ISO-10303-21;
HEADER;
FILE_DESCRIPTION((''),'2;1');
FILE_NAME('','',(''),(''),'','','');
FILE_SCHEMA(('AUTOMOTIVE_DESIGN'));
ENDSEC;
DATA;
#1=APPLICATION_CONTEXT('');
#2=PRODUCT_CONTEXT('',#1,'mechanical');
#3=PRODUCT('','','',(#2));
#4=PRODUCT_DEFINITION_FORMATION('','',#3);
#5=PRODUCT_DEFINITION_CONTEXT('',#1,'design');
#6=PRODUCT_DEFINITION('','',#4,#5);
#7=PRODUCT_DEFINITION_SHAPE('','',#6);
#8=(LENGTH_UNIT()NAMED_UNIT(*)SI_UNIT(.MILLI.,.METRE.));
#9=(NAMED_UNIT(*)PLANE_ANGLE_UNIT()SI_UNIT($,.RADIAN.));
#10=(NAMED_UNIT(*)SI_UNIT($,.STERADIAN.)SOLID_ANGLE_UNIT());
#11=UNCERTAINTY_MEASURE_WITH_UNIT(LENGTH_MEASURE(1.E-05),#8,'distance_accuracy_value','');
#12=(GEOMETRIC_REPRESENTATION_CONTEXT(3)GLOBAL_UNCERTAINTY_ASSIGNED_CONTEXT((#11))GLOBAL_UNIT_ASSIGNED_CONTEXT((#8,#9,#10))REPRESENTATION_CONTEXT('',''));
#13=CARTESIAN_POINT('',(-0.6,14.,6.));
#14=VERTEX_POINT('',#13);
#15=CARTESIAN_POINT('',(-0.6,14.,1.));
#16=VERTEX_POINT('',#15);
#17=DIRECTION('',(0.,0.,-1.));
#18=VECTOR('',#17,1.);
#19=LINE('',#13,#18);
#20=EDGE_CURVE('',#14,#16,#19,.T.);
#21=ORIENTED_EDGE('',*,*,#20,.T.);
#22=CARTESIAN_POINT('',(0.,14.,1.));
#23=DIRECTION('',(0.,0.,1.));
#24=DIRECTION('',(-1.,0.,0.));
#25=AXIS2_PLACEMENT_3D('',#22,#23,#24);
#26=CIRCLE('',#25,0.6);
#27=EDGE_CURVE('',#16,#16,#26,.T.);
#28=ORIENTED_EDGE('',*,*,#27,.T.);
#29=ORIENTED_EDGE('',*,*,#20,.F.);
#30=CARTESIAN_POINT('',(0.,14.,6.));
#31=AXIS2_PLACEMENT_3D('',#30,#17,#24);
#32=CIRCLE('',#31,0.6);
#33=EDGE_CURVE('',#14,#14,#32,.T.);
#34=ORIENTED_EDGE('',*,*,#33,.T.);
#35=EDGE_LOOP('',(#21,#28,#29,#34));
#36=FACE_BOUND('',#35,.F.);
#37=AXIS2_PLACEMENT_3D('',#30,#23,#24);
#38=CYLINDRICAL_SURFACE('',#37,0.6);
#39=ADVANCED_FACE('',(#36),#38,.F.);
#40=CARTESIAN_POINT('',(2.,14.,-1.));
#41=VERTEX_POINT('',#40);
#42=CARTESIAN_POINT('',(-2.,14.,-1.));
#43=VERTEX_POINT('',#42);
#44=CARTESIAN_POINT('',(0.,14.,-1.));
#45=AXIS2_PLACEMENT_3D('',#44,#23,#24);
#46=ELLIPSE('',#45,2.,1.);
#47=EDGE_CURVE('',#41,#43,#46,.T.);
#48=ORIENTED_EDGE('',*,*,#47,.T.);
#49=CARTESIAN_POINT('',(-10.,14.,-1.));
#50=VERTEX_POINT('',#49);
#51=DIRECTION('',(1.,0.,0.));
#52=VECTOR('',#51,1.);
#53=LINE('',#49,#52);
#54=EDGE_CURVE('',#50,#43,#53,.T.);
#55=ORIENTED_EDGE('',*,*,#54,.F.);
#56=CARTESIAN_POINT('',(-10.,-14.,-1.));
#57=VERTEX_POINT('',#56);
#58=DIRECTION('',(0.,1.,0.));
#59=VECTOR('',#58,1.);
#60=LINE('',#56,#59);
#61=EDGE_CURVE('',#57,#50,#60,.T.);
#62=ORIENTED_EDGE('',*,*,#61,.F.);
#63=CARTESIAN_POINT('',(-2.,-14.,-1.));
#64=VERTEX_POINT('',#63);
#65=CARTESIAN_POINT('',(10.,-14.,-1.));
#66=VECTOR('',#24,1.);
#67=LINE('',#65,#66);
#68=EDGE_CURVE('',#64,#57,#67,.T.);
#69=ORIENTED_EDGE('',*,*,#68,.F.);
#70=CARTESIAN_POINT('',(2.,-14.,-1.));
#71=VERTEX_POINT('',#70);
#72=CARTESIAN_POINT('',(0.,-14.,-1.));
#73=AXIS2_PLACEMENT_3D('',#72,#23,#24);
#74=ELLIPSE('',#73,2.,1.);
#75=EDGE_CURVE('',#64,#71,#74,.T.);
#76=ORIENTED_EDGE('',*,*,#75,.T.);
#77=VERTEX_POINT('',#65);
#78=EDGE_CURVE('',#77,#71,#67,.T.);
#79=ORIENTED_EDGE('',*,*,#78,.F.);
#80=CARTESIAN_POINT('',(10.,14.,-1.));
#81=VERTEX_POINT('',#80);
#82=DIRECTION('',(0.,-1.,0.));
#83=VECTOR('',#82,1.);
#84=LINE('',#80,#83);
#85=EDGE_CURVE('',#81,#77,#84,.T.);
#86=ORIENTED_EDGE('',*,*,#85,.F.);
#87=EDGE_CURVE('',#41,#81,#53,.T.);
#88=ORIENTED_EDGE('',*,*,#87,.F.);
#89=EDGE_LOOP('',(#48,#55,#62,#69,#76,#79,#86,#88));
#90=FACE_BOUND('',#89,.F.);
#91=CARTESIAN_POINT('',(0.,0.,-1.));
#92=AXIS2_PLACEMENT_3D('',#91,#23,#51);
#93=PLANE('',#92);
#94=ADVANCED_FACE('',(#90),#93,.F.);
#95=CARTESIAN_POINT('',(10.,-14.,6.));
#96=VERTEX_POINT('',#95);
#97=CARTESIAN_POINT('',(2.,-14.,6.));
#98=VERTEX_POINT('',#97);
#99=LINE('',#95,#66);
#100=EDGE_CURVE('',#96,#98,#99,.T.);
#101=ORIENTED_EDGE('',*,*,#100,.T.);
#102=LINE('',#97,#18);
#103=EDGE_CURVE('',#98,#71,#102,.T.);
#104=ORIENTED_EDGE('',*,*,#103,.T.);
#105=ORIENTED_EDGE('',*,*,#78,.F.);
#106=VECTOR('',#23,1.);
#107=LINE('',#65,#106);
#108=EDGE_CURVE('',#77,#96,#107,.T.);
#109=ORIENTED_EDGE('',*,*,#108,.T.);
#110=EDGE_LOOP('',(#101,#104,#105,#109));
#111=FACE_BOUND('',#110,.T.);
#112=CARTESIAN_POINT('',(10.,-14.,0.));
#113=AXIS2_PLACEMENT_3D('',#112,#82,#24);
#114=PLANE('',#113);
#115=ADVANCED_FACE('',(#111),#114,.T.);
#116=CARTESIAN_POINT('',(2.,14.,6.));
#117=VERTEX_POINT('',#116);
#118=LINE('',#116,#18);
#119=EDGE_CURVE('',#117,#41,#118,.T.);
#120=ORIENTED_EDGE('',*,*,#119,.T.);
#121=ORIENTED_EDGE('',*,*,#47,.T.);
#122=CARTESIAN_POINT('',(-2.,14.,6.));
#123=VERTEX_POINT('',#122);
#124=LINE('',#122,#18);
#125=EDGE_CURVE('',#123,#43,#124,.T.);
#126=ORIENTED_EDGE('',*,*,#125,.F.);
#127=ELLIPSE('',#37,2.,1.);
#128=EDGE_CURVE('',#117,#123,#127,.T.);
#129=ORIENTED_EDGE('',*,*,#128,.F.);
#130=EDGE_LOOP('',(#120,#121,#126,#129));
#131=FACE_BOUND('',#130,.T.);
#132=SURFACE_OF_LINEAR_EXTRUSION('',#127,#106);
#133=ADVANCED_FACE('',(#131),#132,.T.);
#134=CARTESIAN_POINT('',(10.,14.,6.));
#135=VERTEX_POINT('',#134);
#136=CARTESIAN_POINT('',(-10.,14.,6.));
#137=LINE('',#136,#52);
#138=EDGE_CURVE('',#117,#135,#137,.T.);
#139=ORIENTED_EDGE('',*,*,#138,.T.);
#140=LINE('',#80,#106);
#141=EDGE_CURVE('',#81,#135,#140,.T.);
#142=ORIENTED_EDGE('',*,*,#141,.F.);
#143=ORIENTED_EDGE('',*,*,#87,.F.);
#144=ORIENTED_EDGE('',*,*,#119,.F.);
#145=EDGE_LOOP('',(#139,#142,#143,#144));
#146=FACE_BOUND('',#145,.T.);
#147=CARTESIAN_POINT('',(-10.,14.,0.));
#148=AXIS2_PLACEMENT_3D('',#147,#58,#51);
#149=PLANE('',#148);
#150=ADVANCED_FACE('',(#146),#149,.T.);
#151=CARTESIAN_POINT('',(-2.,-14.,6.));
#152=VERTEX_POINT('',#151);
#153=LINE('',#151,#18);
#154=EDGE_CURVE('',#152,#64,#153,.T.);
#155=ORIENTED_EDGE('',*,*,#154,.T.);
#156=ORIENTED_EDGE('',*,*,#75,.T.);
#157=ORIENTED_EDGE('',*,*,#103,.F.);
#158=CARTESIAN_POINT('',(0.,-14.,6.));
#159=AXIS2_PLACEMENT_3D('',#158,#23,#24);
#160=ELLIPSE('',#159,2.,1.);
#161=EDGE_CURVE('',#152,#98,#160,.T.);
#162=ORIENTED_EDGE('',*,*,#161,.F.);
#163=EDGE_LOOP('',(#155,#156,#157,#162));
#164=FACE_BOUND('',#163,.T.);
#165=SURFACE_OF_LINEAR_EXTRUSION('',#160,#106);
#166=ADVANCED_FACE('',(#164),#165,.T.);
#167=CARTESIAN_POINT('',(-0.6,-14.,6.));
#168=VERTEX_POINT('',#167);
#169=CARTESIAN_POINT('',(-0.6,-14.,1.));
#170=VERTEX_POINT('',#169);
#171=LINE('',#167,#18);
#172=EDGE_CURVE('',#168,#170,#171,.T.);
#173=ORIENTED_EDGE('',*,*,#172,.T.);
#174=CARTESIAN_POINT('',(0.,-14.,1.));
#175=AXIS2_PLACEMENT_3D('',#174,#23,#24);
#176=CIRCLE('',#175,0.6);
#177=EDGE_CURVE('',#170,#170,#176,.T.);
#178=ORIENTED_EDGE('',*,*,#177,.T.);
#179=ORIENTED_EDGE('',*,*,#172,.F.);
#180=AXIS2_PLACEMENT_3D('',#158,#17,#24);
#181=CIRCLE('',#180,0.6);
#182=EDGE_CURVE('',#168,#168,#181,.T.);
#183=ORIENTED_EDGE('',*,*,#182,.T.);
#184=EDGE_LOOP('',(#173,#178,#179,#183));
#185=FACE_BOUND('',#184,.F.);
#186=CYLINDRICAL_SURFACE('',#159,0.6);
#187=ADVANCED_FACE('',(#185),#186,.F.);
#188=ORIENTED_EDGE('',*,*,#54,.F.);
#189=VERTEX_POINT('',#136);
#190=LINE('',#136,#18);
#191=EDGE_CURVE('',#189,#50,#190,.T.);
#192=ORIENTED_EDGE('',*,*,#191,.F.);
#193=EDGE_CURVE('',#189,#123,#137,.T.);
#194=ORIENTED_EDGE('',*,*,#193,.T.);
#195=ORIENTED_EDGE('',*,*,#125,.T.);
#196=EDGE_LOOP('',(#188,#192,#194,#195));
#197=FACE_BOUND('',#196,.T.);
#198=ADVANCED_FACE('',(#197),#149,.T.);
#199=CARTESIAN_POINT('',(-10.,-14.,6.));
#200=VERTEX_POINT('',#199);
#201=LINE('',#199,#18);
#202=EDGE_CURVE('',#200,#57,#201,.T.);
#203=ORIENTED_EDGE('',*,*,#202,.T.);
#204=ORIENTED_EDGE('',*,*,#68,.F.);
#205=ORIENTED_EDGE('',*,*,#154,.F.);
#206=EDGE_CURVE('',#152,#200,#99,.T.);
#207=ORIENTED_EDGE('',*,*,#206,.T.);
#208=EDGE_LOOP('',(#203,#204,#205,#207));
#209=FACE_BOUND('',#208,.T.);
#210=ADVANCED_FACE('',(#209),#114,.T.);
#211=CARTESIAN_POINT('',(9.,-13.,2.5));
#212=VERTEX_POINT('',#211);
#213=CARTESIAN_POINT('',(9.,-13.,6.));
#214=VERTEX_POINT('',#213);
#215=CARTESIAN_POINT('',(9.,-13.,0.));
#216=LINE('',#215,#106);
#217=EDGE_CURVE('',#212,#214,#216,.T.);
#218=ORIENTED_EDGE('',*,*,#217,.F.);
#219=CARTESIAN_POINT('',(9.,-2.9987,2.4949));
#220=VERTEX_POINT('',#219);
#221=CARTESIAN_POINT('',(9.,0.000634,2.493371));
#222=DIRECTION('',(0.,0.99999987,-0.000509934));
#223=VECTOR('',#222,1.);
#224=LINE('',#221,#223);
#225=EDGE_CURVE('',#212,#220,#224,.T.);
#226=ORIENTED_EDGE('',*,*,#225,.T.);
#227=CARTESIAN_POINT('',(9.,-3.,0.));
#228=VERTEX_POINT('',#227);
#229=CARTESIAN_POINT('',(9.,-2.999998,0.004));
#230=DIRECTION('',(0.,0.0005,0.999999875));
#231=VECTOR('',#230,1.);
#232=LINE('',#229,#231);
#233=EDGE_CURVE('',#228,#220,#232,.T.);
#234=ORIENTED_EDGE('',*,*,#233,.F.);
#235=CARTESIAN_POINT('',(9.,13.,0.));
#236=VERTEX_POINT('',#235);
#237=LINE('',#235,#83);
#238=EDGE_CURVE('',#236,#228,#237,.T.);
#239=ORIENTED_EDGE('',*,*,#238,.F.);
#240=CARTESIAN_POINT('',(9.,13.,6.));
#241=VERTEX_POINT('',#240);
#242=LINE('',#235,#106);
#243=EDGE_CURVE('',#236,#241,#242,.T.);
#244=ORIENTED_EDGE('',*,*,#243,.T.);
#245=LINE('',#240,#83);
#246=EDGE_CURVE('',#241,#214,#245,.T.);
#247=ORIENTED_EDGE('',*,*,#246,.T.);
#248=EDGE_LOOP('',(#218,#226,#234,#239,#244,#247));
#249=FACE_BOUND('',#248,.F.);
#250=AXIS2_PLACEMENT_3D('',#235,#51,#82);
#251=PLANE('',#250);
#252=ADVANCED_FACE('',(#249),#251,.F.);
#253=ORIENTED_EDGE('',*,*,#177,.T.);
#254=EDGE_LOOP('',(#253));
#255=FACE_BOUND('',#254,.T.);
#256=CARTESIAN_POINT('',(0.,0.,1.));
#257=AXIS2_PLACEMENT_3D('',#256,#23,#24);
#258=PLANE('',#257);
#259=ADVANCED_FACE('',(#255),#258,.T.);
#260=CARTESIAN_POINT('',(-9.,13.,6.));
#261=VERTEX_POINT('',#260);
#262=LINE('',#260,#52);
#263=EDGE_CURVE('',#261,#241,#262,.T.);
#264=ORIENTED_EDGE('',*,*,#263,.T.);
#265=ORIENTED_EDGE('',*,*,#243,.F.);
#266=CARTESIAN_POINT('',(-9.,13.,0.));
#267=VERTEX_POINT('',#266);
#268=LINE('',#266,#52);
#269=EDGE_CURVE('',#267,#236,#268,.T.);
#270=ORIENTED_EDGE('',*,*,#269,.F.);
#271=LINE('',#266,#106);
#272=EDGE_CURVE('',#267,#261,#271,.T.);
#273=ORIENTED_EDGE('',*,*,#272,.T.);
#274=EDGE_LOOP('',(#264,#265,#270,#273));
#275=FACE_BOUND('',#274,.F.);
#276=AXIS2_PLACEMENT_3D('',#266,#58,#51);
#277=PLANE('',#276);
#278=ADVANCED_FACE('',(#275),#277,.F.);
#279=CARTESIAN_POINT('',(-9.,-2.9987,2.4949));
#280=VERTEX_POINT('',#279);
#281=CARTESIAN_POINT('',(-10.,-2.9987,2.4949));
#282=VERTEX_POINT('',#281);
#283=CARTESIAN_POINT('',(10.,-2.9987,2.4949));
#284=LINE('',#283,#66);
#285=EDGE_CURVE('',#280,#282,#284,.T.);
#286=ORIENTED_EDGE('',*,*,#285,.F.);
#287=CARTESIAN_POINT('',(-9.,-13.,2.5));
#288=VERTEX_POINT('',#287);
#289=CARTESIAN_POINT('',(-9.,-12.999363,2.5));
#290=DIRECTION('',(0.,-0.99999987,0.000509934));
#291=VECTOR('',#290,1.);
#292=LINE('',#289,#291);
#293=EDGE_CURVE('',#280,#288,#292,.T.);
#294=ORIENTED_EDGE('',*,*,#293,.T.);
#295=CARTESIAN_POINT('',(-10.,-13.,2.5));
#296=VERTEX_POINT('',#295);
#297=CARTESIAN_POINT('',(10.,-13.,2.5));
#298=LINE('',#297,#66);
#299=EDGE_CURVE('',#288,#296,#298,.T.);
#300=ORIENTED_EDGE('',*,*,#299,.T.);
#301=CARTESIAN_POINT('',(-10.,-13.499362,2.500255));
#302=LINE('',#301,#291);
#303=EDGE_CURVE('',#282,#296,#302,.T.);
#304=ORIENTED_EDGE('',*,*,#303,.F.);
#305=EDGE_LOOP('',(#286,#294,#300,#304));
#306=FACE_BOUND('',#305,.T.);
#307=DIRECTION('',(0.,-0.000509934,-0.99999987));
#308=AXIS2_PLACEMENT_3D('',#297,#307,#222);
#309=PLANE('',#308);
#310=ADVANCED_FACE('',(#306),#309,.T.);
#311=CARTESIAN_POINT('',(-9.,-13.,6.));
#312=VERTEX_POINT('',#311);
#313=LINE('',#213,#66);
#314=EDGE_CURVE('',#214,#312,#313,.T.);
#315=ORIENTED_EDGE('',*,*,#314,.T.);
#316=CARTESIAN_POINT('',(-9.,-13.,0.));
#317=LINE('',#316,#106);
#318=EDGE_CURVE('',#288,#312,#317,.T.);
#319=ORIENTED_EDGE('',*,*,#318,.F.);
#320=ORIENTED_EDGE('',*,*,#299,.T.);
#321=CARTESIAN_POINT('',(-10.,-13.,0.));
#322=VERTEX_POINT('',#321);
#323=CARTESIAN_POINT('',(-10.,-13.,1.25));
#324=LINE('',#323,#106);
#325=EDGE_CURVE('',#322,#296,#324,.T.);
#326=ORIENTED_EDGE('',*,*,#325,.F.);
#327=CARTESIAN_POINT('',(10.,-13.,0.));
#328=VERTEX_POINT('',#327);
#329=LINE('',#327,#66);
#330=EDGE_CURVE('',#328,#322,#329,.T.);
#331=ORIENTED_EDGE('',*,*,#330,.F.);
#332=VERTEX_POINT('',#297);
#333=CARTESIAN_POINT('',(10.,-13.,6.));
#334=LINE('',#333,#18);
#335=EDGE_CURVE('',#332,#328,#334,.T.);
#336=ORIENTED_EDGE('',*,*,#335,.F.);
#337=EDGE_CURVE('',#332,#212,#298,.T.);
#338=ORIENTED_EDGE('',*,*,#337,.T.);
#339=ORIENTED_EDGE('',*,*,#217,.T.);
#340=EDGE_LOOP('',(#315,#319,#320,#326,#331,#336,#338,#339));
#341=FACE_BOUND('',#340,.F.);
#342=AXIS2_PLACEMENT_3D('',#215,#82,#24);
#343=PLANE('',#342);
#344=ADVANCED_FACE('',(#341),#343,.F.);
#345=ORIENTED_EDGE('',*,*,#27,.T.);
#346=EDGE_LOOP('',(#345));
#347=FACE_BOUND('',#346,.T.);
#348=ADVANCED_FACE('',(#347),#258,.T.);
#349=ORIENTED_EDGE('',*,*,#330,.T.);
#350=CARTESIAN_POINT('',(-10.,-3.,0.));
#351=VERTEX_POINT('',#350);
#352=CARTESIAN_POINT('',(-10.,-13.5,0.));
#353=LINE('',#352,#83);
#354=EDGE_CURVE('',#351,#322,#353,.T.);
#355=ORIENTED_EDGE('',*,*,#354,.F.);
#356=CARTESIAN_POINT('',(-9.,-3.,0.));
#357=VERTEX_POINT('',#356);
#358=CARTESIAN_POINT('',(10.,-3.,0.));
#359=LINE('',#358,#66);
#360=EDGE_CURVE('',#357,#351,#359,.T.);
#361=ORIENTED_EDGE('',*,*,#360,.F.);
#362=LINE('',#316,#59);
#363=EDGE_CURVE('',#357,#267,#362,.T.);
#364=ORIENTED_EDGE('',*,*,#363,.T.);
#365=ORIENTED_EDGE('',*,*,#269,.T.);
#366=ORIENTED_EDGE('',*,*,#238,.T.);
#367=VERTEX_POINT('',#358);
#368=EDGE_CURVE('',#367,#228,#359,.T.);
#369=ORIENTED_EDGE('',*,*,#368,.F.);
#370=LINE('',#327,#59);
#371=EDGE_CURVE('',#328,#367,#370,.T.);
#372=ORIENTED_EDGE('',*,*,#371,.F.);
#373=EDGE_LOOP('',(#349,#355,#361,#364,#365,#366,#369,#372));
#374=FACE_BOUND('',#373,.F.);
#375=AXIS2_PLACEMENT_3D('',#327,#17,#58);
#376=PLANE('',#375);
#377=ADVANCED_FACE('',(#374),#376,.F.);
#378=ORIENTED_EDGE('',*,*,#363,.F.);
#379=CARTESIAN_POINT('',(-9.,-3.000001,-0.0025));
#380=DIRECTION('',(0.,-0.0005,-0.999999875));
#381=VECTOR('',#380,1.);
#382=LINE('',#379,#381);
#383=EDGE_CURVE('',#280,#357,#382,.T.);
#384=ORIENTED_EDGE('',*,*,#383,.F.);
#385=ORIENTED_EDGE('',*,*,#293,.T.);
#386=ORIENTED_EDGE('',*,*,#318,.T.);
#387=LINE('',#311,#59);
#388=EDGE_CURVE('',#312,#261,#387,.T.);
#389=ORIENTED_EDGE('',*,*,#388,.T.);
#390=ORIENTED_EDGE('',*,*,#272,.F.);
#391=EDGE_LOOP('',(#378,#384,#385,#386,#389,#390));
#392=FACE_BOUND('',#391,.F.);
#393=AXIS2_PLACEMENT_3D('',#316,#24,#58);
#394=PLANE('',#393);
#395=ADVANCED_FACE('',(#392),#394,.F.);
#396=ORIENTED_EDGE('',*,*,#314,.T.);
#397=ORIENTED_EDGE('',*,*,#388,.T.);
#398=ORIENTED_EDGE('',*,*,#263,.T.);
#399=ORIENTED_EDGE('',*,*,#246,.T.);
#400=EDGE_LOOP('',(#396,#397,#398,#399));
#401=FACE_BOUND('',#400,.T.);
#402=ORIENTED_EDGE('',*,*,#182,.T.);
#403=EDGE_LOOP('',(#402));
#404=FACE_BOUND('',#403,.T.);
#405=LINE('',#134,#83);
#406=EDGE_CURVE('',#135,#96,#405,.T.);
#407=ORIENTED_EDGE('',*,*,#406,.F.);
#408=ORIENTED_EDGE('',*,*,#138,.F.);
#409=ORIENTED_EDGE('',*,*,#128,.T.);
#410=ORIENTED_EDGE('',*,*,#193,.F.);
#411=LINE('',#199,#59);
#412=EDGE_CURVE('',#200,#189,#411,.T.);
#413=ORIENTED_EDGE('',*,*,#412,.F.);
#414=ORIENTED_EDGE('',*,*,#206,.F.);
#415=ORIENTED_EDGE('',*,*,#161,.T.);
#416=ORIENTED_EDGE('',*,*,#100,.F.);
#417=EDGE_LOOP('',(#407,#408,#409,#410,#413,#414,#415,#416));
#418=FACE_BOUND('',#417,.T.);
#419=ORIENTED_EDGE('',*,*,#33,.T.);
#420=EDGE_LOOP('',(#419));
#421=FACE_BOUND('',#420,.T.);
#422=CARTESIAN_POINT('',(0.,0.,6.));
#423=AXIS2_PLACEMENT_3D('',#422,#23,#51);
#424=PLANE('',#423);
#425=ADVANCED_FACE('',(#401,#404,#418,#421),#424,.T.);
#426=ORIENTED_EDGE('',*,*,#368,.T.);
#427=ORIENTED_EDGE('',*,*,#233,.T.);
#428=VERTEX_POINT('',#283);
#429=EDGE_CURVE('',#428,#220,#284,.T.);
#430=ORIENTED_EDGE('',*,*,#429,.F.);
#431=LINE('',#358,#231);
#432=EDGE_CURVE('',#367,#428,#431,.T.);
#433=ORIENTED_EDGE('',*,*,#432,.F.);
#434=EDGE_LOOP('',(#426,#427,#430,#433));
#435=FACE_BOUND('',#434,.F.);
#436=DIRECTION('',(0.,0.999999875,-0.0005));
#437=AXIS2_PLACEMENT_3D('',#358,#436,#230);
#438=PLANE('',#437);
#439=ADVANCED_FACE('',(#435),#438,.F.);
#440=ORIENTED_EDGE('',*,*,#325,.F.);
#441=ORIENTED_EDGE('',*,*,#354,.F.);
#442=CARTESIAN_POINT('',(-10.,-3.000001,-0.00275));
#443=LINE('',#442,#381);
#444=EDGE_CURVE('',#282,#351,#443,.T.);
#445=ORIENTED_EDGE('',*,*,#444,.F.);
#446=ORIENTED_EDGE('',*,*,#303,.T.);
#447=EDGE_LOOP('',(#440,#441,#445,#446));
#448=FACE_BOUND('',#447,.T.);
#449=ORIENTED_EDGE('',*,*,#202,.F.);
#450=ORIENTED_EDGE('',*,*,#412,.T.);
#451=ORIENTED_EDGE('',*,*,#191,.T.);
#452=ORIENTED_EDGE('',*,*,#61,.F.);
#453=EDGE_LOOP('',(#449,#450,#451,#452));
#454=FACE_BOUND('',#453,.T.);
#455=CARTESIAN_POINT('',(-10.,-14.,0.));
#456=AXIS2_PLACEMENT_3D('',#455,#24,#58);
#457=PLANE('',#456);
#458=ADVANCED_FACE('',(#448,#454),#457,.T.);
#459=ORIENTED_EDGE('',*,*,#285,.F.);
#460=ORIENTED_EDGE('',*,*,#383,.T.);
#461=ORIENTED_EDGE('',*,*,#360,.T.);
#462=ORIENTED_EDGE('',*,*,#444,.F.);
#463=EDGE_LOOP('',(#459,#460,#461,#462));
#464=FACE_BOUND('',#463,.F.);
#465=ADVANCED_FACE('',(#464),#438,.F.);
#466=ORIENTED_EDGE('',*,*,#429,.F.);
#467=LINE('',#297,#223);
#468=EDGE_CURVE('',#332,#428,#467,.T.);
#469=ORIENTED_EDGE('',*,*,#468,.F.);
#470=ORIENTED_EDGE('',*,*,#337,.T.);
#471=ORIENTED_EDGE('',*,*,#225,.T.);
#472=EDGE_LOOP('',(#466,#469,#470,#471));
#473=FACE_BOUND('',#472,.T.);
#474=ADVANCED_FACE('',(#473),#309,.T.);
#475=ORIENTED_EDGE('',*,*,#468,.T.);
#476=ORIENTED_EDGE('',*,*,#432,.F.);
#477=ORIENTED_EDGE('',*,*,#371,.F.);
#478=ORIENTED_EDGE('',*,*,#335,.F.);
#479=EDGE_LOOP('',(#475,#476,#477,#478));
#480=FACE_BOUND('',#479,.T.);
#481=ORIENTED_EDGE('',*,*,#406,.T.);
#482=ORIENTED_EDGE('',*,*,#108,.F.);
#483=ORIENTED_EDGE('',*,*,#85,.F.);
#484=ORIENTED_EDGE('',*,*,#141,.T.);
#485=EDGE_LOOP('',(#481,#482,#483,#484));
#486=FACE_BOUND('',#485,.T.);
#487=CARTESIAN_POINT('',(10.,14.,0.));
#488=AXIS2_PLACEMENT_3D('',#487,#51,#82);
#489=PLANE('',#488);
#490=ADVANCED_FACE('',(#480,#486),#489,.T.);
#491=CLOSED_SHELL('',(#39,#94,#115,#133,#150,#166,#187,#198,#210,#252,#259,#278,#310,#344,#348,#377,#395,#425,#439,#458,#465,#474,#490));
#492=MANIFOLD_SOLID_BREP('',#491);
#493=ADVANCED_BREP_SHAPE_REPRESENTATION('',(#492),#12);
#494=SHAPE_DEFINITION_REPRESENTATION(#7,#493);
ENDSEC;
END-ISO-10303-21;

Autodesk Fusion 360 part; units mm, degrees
sketch "Boceto1" plane through (0, 0, 0) normal (0, 0, 1) x (1, 0, 0)
  line L0 (10, -14) -> (-10, -14)
  line L1 (-10, -14) -> (-10, 14)
  line L2 (-10, 14) -> (10, 14)
  line L3 (10, 14) -> (10, -14)
  line L4 (10, -14) -> (-10, 14) construction
  line L5 (-10, -14) -> (10, 14) construction
  line L6 (9, -13) -> (-9, -13)
  line L7 (-9, -13) -> (-9, 13)
  line L8 (-9, 13) -> (9, 13)
  line L9 (9, 13) -> (9, -13)
  line L10 (9, -13) -> (-9, 13) construction
  line L11 (-9, -13) -> (9, 13) construction
  dimension "d1" = 20
  dimension "d2" = 28
  dimension "d3" = 18
  dimension "d4" = 26
extrude "Extruir1" add sketch "Boceto1" against normal blind 1 contours L0 L1 L2 L3 | L6 L7 L8 L9
extrude "Extruir2" add sketch "Boceto1" along normal blind 6
sketch "Boceto2" plane through (10, 0, 0) normal (1, 0, 0) x (0, 1, 0)
  line L0 (-14, 6) -> (-14, -1)
  line L1 (-14, -1) -> (14, -1)
  line L2 (14, -1) -> (14, 6)
  line L3 (14, 6) -> (-14, 6)
  line L4 (13, 6) -> (-13, 6)
  line L5 (-13, 6) -> (13, 6)
  line L6 (14, 6) -> (-14, 6)
  line L7 (-14, 6) -> (14, 6)
  line L8 (-13, 0) -> (13, 0)
  line L9 (13, 0) -> (13, 6)
  line L10 (13, 6) -> (-13, 6)
  line L11 (-13, 6) -> (-13, 0)
  line L12 (-13, 0) -> (-3, 0)
  line L13 (-3, 0) -> (-2.997, 6)
  line L14 (-13, 6) -> (-2.997, 6)
  line L15 (-13, 0) -> (-13, 2.5)
  line L16 (-13, 2.5) -> (-2.9987, 2.4949)
  line L17 (-2.9987, 2.4949) -> (-3, 0)
  dimension "d9" = 10
  dimension "d12" = 2.5
extrude "Extruir3" cut sketch "Boceto2" against normal blind 28 contours L8 L11 L12 L13 L15 L16 L17
sketch "Boceto3" plane through (0, 0, 6) normal (0, 0, 1) x (-1, 0, 0)
  line L0 (9, -13) -> (-9, -13)
  line L1 (-9, -13) -> (-9, 13)
  line L2 (-9, 13) -> (9, 13)
  line L3 (9, 13) -> (9, -13)
  line L4 (-10, -14) -> (10, -14)
  line L5 (10, -14) -> (10, 14)
  line L6 (10, 14) -> (-10, 14)
  line L7 (-10, 14) -> (-10, -14)
  line L8 (0, -14) -> (2, -14) construction
  ellipse E0 centre (0, -14) end of major axis (2, -14) minor radius 1
  line L9 (0, -15) -> (0, -13) construction
  line L10 (0, 14) -> (2, 14) construction
  ellipse E1 centre (0, 14) end of major axis (2, 14) minor radius 1
  line L11 (-2, 14) -> (2, 14) construction
  line L12 (0, 13) -> (0, 15) construction
  circle A0 centre (0, 14) radius 0.6
  circle A1 centre (0, -14) radius 0.6
  dimension "d15" = 2
  dimension "d17" = 2
  dimension "d18" = 2
  dimension "d19" = 2
  dimension "d20" = 1.2
  dimension "d21" = 1.2
extrude "Extruir4" add sketch "Boceto3" against normal blind 7 contours L4 E0 A1 | L4 A1 | L6 E1 A0 | L6 A0 picked at (-1.4687, -14.1432) picked at (-0.0731, -14.1862) picked at (1.4687, 14.1432) picked at (0.1247, 14.1564)
extrude "Extruir5" cut sketch "Boceto3" against normal blind 5 contours L4 A1 | L4 A1 | L6 A0 | L6 A0
